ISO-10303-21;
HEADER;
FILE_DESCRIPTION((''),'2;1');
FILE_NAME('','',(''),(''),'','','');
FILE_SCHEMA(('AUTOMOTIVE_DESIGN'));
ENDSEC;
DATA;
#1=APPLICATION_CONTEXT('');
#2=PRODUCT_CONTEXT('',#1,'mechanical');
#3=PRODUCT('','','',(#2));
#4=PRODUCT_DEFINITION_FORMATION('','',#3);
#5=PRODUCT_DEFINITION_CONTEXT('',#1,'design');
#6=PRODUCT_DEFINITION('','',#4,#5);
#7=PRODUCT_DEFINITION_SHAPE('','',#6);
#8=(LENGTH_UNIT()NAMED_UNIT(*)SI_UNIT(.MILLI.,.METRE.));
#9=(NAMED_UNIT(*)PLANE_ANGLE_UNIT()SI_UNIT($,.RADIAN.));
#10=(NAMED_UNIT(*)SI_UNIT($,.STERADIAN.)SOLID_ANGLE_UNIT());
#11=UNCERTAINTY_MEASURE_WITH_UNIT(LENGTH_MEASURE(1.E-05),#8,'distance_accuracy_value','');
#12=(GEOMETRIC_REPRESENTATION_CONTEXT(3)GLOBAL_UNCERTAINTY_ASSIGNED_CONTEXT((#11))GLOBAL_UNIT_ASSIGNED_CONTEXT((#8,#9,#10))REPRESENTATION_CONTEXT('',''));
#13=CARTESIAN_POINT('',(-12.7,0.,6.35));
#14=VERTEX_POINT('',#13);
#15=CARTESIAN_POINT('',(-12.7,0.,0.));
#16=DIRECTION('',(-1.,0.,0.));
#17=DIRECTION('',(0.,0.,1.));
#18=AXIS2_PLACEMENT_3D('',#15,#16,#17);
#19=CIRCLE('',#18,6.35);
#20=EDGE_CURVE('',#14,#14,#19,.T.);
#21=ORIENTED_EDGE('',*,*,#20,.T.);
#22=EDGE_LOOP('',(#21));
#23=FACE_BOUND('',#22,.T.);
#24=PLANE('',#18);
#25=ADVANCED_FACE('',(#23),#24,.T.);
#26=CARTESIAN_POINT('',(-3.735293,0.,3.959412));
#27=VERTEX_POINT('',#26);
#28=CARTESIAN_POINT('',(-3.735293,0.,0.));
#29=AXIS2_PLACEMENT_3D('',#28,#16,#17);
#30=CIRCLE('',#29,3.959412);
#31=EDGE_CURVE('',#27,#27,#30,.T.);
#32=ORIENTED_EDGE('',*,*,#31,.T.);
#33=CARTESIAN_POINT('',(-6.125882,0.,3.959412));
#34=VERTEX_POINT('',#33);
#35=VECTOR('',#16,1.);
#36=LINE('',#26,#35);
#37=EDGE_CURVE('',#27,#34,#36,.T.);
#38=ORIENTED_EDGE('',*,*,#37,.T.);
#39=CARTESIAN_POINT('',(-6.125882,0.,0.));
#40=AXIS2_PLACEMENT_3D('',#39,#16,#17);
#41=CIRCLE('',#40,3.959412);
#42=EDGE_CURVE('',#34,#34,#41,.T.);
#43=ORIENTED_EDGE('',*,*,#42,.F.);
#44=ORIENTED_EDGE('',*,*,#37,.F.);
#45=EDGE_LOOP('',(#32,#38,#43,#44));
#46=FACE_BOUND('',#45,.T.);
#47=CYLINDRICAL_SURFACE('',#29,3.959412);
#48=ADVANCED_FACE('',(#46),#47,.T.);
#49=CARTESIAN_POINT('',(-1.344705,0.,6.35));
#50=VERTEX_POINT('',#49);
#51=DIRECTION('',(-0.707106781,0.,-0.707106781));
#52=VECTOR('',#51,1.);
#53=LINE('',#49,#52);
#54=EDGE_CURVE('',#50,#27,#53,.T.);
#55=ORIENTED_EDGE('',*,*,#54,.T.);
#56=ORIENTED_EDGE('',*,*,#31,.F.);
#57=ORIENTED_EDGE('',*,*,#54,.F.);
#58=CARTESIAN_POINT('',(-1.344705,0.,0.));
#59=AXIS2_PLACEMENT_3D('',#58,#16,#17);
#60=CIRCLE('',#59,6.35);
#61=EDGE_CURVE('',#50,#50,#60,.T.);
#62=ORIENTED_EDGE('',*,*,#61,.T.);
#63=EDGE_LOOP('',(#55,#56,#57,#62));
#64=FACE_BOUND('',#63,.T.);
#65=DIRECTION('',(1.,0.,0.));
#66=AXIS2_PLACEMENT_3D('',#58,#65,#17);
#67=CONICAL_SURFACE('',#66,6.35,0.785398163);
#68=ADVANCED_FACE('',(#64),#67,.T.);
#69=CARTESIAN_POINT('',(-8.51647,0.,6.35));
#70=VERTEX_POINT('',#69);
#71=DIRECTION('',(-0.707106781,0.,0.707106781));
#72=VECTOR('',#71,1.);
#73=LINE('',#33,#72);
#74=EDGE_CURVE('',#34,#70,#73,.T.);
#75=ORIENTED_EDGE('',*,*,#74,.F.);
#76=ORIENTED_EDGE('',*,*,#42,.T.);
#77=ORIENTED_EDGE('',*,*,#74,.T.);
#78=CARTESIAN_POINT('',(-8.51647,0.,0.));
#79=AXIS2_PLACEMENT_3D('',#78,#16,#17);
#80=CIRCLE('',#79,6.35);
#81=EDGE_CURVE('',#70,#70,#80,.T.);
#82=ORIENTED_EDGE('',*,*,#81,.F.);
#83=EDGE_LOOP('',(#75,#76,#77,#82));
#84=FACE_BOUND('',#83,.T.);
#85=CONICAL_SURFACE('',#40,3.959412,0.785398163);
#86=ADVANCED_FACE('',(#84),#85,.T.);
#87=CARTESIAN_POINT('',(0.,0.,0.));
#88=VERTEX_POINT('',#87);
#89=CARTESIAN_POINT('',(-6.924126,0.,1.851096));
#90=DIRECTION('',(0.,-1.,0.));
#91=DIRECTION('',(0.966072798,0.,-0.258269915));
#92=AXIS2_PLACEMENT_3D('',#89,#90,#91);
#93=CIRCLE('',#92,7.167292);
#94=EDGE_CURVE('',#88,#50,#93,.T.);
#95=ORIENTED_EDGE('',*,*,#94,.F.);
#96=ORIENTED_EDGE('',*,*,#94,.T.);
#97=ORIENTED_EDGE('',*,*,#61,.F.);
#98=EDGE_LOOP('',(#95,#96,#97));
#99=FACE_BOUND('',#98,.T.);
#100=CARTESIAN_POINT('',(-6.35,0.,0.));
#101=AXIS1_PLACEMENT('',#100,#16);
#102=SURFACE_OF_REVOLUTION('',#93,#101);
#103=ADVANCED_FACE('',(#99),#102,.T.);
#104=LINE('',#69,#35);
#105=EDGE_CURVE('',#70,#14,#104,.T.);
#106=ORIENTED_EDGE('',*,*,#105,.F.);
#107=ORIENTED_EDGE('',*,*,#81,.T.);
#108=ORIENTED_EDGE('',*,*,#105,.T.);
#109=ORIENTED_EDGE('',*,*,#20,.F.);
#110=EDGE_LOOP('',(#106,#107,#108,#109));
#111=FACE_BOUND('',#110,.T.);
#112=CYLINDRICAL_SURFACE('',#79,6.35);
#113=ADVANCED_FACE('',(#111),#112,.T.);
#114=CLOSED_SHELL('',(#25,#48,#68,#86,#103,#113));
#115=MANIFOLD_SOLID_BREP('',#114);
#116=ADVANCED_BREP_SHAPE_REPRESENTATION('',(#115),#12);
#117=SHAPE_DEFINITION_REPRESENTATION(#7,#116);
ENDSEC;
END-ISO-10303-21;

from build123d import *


with BuildPart() as f1:
    # F0 (on Front) → F1 (revolve)
    with BuildSketch(Plane.XZ):
        with BuildLine():
            Line((-12.7, 0), (0, 0))
            ThreePointArc((0, 0), (0.087671, 3.335946), (-1.344705, 6.35))
            Line((-1.344705, 6.35), (-3.735293, 3.959412))
            Line((-3.735293, 3.959412), (-6.125882, 3.959412))
            Line((-6.125882, 3.959412), (-8.51647, 6.35))
            Line((-8.51647, 6.35), (-12.7, 6.35))
            Line((-12.7, 6.35), (-12.7, 0))
        make_face()
    revolve(axis=Axis((-6.35, 0, 0), (-1, 0, 0)))


solid = f1.part
